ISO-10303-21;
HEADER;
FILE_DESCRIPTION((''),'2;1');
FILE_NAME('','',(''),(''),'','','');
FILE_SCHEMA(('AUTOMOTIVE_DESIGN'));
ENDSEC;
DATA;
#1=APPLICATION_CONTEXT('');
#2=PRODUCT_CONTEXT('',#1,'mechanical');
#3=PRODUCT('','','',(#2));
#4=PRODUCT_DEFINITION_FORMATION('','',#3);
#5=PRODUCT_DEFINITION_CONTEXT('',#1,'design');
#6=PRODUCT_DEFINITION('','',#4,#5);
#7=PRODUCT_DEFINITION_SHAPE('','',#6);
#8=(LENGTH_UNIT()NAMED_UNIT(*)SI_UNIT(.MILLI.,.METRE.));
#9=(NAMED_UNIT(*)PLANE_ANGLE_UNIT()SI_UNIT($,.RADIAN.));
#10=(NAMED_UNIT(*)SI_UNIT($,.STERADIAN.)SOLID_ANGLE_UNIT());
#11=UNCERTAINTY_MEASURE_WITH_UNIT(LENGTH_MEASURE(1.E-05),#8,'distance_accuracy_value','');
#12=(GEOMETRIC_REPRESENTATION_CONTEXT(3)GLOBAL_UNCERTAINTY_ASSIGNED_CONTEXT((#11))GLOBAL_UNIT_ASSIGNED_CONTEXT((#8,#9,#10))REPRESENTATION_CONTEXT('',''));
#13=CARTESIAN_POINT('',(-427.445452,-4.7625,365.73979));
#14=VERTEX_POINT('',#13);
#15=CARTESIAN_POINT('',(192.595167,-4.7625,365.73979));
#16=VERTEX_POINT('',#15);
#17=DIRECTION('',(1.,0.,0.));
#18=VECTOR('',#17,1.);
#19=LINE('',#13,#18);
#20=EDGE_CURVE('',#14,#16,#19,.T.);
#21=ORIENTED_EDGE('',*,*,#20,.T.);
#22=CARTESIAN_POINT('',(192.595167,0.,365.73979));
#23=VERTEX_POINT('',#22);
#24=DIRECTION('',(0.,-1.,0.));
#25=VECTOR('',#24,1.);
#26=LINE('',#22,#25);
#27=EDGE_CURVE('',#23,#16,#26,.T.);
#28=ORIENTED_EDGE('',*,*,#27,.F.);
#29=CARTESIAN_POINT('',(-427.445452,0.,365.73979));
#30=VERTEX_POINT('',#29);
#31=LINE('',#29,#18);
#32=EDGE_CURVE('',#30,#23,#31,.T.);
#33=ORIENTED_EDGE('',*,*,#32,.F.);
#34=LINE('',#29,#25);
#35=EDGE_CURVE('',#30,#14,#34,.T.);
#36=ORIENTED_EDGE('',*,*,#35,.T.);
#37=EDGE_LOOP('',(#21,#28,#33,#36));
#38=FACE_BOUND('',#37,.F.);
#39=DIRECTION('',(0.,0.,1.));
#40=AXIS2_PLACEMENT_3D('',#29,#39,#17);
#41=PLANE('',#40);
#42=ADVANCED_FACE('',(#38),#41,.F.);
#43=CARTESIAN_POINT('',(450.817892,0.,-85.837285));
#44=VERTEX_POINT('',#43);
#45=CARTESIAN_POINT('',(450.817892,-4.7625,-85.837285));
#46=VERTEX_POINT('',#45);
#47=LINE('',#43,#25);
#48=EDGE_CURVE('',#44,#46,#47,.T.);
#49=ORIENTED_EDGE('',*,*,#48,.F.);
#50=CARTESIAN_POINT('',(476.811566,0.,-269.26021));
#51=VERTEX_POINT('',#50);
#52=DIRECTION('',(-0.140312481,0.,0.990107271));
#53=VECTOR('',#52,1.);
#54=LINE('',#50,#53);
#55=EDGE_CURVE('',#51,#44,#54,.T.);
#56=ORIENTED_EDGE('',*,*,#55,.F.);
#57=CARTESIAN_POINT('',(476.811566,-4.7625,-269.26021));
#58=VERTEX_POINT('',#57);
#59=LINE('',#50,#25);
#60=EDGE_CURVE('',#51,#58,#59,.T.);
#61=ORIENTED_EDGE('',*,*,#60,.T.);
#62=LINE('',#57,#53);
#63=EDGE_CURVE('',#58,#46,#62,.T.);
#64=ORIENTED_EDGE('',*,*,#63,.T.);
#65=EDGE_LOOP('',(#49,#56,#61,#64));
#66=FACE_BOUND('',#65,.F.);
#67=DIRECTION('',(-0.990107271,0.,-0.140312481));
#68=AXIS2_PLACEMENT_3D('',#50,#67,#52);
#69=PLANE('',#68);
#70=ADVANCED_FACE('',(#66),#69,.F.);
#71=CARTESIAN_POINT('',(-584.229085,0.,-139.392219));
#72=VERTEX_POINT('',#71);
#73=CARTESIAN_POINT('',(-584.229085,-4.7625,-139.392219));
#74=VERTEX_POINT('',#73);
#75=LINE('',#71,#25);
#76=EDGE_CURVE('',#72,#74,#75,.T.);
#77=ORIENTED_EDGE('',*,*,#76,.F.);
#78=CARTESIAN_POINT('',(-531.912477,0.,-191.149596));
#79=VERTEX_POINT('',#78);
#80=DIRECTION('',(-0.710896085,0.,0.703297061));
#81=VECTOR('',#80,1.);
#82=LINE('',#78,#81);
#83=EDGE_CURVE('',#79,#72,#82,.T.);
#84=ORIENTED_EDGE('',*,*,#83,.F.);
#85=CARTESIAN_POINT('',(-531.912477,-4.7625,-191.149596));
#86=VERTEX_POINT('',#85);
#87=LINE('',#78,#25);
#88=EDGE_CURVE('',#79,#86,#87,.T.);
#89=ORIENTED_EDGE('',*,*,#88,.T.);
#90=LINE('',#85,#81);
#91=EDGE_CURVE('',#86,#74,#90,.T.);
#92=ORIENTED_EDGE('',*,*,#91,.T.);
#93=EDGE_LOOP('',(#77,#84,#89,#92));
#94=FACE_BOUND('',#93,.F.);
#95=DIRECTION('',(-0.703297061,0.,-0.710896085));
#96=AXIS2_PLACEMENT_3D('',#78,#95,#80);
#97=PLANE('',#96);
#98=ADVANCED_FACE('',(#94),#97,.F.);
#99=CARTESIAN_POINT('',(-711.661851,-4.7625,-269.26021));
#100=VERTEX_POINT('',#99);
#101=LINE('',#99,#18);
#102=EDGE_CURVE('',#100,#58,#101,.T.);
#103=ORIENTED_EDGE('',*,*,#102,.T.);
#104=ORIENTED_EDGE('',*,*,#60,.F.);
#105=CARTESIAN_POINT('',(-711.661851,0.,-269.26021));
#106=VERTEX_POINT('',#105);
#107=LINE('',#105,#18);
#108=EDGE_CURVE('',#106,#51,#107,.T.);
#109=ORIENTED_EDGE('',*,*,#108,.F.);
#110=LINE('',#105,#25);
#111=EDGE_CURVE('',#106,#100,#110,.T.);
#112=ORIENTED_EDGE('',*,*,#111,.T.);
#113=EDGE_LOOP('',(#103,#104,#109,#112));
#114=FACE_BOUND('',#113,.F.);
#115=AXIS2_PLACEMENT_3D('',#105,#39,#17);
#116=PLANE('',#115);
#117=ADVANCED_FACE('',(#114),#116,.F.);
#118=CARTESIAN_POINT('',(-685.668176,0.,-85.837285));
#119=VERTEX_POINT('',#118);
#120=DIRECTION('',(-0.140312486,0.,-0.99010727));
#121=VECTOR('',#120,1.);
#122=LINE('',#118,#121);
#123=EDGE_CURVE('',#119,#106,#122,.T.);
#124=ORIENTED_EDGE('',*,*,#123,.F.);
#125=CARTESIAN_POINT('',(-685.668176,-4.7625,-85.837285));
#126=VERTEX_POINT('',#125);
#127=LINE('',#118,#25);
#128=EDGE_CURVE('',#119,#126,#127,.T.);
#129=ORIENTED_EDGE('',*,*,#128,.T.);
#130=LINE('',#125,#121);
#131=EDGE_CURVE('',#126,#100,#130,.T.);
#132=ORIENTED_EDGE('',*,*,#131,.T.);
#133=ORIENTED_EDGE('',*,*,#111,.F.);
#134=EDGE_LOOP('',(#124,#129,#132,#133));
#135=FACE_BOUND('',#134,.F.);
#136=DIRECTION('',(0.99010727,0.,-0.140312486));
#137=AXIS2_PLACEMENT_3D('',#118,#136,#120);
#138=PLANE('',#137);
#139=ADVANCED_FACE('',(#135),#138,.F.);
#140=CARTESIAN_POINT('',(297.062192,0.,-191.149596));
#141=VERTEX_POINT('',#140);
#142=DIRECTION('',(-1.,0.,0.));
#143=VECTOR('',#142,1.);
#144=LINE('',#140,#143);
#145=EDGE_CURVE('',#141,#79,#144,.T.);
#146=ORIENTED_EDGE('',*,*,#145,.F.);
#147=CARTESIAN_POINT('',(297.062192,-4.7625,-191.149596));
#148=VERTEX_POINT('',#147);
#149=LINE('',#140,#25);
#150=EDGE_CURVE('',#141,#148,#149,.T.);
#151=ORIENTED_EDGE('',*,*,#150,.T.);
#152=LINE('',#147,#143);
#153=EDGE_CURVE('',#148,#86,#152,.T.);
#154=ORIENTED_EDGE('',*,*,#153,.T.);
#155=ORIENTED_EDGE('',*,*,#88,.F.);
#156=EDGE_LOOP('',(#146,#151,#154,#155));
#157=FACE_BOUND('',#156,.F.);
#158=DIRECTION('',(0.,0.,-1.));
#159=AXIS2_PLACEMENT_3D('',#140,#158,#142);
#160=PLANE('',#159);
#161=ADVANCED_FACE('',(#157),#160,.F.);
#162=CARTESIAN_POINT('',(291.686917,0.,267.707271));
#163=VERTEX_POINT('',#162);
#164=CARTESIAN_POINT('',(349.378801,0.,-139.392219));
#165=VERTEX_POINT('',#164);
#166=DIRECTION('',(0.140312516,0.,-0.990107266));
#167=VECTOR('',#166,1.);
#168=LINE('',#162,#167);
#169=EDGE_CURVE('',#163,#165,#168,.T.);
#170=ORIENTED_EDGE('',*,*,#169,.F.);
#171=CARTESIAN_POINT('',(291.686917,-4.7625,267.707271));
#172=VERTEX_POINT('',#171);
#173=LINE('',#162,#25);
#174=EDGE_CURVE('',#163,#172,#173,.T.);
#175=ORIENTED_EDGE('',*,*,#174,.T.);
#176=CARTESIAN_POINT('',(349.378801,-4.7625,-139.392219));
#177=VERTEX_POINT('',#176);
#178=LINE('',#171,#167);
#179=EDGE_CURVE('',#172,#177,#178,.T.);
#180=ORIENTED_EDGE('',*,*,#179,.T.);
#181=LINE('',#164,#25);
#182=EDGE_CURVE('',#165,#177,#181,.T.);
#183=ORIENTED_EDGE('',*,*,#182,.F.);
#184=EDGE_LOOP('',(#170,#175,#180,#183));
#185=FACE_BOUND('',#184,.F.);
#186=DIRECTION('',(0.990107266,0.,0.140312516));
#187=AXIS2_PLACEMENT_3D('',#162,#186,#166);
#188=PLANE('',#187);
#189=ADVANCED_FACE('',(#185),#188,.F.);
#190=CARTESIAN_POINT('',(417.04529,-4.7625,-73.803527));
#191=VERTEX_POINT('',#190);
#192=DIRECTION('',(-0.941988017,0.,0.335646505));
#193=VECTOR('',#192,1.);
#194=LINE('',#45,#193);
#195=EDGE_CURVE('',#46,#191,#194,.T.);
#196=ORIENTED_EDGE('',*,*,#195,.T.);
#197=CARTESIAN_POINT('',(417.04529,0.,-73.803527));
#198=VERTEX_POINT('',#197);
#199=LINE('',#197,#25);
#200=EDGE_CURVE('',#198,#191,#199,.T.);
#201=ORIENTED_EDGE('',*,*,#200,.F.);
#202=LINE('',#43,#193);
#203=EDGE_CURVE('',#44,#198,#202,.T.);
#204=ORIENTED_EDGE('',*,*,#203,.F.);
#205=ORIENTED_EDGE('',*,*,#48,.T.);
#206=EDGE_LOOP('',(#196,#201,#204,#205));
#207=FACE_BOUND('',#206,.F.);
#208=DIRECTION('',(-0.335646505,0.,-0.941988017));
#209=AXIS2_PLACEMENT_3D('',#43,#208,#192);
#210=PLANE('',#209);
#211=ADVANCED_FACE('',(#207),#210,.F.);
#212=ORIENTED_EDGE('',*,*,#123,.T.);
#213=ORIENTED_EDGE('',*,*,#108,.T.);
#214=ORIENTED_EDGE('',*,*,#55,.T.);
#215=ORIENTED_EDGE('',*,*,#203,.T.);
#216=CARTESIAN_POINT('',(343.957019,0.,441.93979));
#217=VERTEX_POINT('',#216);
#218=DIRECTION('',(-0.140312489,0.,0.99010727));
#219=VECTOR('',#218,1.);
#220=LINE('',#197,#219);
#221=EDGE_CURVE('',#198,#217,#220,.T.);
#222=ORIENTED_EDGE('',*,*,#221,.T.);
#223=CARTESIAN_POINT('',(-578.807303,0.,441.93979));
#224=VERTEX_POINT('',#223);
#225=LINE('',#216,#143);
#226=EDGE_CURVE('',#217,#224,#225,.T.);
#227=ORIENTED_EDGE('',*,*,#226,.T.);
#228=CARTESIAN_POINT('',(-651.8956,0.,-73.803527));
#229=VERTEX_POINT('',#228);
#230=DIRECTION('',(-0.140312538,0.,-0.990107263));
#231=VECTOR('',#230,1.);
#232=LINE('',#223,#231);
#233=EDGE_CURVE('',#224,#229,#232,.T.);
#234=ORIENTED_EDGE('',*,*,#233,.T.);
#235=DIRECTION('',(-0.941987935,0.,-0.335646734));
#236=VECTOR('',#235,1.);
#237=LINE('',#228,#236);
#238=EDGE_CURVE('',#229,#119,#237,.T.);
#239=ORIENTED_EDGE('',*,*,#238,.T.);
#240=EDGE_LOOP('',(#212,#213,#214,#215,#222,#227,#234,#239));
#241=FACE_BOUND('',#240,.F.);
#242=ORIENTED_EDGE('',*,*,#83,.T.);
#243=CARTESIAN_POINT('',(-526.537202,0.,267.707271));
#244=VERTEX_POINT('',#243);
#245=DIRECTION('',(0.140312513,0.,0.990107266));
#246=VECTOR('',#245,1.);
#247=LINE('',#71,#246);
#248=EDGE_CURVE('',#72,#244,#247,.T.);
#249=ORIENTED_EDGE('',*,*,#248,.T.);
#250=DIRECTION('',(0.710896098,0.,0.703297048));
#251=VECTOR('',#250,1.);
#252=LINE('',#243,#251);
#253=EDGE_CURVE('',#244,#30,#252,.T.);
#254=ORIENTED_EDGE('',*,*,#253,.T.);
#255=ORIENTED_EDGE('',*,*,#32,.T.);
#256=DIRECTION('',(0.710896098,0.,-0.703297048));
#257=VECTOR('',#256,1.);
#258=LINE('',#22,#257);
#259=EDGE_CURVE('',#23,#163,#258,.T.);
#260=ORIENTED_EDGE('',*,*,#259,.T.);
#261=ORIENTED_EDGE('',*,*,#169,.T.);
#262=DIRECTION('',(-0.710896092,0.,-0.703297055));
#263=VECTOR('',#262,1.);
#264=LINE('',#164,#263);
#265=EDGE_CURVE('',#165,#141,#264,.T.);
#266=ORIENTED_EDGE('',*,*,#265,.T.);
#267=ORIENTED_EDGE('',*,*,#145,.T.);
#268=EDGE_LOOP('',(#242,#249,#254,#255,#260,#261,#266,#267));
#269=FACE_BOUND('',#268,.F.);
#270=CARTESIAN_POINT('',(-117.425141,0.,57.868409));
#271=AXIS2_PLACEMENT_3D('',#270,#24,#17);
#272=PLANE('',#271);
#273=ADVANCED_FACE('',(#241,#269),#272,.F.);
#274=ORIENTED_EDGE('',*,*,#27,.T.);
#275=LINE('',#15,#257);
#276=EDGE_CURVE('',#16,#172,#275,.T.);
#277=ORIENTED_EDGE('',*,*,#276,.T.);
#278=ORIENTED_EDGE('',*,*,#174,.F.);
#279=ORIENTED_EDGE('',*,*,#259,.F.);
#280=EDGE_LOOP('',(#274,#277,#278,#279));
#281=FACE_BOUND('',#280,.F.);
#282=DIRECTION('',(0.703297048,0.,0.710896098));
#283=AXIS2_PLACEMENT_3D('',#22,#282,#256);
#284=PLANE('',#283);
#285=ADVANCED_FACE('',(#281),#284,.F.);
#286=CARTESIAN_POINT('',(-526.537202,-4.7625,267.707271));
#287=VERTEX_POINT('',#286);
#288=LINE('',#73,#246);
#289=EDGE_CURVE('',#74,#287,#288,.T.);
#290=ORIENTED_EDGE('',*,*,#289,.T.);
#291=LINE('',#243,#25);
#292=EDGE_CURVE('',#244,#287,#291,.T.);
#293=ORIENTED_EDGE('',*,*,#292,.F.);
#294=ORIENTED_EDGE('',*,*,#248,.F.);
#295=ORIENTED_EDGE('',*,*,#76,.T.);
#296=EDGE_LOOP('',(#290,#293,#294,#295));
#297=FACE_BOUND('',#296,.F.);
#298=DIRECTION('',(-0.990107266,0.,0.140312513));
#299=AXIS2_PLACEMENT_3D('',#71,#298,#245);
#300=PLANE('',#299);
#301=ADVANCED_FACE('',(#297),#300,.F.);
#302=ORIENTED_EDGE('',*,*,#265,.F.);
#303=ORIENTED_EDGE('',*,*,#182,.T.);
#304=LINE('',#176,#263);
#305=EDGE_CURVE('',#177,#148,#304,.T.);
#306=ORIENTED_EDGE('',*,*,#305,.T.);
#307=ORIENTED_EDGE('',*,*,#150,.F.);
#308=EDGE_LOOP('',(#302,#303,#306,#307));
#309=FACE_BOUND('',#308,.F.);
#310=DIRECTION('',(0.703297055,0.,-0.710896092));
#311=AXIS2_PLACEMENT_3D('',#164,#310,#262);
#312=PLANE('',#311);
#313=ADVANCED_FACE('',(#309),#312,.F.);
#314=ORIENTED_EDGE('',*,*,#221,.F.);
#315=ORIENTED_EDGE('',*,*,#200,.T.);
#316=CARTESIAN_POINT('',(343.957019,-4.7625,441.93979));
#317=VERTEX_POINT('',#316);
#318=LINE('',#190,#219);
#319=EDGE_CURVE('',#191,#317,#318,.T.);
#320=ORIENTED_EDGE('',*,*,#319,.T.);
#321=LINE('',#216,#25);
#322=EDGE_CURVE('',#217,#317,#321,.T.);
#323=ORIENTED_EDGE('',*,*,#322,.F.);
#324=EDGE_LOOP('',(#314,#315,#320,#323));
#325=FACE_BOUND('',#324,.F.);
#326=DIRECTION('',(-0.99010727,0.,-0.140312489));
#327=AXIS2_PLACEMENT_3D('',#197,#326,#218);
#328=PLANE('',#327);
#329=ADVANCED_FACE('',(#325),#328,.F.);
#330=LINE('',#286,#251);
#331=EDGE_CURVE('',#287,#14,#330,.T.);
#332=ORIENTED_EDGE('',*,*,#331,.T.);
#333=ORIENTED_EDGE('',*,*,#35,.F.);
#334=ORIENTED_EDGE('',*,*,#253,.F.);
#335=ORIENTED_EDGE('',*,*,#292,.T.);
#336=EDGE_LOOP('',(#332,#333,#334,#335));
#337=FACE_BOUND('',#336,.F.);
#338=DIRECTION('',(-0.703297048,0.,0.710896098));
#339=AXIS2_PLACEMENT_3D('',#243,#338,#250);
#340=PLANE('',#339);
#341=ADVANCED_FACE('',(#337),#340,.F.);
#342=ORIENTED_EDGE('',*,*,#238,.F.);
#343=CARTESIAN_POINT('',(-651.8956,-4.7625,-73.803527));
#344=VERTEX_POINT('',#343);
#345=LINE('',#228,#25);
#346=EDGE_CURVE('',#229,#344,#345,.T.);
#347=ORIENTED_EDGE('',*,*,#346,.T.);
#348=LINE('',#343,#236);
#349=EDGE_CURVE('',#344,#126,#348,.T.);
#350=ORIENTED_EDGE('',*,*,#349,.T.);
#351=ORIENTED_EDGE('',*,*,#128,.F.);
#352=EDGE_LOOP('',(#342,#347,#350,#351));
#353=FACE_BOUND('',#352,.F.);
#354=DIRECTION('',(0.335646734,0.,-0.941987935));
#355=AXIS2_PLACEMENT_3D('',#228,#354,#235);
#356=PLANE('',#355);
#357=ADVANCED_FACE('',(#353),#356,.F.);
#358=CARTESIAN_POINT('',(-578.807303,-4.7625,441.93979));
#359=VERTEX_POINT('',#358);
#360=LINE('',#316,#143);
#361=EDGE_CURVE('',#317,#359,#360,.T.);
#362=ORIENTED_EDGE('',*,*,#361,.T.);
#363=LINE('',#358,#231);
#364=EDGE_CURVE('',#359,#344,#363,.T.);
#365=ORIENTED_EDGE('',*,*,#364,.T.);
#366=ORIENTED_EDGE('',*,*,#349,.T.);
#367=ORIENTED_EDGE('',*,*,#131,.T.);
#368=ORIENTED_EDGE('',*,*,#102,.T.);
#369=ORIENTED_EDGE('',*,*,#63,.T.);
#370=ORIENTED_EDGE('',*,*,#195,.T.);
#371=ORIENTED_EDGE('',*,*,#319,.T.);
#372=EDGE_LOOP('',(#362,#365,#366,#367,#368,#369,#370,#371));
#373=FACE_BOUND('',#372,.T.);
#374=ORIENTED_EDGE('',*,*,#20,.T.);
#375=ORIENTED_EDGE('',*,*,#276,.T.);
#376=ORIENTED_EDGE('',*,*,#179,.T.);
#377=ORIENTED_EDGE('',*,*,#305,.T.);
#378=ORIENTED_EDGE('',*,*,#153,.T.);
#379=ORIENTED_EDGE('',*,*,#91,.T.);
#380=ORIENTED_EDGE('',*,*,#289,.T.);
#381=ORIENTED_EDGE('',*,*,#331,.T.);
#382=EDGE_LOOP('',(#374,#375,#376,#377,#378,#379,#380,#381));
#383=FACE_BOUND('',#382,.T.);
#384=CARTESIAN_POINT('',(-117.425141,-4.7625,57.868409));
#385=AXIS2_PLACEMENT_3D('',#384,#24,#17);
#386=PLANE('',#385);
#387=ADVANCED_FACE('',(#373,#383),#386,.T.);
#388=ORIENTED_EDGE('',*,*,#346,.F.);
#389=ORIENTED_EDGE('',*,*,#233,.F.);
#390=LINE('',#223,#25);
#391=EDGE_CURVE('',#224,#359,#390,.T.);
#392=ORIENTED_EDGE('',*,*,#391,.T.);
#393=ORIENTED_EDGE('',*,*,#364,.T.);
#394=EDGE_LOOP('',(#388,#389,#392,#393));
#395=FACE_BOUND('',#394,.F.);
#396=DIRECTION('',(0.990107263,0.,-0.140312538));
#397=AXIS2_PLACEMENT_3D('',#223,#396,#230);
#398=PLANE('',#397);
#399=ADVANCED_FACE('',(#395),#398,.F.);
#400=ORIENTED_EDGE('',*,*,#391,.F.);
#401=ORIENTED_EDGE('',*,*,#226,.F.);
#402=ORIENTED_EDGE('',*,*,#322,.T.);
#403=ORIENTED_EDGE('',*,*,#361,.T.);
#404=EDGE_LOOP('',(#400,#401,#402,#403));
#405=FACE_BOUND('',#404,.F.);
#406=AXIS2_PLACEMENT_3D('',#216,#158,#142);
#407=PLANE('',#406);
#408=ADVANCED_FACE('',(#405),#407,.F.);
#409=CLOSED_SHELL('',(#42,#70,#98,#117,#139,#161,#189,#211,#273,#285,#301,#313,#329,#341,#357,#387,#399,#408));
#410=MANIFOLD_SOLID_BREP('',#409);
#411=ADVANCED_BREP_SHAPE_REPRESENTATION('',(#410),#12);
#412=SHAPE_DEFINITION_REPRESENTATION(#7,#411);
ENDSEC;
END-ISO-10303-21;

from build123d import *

# Parameters (mm, degrees)
F1_DEPTH = 4.7625


with BuildPart() as f1:
    # F0 (on Front) → F1 (new body)
    with BuildSketch(Plane.XZ):
        Polygon((476.811566, -269.26021), (450.817892, -85.837285), (417.04529, -73.803527), (343.957019, 441.93979), (-578.807303, 441.93979), (-651.8956, -73.803527), (-685.668176, -85.837285), (-711.661851, -269.26021), align=None)
        Polygon((-531.912477, -191.149596), (-584.229085, -139.392219), (-526.537202, 267.707271), (-427.445452, 365.73979), (192.595167, 365.73979), (291.686917, 267.707271), (349.378801, -139.392219), (297.062192, -191.149596), align=None, mode=Mode.SUBTRACT)
    extrude(amount=F1_DEPTH)


solid = f1.part
